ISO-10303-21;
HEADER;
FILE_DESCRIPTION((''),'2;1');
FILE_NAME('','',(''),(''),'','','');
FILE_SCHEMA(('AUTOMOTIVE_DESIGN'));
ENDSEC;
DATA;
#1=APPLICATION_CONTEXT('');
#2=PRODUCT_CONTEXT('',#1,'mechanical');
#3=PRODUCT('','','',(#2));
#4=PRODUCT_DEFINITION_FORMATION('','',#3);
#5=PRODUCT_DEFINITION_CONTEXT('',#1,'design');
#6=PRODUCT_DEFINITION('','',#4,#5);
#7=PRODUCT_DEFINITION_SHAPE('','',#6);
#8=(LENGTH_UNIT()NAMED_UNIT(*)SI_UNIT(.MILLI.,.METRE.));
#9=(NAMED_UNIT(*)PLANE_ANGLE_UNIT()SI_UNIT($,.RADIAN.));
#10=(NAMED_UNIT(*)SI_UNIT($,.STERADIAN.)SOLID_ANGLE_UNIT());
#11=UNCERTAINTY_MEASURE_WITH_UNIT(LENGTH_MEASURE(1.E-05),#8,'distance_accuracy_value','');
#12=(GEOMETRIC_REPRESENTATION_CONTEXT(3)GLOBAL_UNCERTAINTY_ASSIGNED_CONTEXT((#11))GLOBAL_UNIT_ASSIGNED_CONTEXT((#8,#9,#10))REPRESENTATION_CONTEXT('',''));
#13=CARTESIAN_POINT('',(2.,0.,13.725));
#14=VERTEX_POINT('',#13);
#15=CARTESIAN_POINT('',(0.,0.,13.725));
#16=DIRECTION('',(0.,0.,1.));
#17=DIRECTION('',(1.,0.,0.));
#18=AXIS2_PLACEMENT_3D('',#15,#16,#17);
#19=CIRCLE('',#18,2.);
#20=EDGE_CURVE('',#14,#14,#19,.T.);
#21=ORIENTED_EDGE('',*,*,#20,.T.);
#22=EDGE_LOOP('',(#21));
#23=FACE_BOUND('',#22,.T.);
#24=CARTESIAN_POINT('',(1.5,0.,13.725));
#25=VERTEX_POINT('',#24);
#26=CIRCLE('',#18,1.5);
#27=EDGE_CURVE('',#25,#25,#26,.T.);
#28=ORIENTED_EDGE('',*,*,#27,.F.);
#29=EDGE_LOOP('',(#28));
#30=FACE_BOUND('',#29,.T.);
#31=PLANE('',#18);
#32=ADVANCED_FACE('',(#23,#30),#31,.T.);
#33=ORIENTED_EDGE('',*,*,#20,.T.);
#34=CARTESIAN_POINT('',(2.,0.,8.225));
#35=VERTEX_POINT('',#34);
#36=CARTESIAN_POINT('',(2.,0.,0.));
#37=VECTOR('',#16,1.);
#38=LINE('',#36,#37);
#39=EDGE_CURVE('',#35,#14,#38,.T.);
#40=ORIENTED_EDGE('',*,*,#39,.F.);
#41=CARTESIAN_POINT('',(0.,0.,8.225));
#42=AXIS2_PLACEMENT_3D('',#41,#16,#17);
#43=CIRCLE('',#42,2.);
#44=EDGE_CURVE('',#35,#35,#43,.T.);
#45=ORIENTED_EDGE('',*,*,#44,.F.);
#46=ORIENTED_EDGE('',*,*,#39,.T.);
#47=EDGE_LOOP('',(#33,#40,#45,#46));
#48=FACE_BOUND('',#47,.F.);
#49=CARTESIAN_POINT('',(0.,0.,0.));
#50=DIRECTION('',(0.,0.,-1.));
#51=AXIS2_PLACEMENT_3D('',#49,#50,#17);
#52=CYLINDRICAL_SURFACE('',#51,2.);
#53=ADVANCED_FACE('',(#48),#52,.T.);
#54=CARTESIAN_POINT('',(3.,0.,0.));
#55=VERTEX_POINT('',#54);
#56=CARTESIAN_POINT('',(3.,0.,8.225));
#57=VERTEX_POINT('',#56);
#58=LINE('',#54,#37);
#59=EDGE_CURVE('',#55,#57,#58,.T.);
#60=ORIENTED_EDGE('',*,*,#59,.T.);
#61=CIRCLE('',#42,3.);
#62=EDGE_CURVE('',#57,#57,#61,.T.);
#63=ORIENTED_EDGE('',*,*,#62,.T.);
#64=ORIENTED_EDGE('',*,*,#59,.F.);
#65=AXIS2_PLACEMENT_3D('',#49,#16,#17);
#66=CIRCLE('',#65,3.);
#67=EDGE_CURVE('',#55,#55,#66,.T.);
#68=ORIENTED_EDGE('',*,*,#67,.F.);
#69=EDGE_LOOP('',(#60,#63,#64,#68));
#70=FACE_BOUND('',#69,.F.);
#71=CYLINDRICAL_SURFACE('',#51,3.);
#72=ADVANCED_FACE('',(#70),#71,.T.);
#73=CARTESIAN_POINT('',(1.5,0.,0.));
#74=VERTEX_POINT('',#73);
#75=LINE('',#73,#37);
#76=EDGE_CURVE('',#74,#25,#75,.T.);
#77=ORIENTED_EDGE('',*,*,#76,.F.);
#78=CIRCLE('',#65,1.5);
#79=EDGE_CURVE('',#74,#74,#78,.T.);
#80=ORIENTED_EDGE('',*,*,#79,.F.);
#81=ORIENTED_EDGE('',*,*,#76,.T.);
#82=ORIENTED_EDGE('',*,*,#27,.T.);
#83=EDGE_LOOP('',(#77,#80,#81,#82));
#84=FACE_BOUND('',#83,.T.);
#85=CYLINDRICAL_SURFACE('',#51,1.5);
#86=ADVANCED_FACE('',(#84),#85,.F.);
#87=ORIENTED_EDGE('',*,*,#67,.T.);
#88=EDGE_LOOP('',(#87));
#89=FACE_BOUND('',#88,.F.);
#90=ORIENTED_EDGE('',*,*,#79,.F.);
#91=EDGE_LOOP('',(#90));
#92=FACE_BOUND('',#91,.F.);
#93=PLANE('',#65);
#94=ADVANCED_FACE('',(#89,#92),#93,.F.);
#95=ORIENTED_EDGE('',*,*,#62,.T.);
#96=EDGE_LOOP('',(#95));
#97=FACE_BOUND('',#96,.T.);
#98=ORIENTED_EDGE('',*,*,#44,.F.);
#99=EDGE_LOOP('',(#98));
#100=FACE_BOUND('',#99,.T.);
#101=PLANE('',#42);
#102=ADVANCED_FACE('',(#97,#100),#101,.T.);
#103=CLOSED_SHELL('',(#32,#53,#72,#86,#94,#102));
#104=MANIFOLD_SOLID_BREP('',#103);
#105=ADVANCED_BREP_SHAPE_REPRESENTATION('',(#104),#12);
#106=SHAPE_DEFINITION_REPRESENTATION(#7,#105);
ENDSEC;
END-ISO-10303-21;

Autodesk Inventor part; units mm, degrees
ref_plane "YZ Plane" through (0, 0, 0) normal (1, 0, 0) x (0, 1, 0)
ref_plane "XZ Plane" through (0, 0, 0) normal (0, 1, 0) x (-1, 0, 0)
ref_plane "XY Plane" through (0, 0, 0) normal (0, 0, 1) x (1, 0, 0)
sketch "Szkic1" plane through (0, 0, 0) normal (0, 0, 1) x (1, 0, 0)
  circle A0 centre (0, 0) radius 1.5
  circle A1 centre (0, 0) radius 2
  circle A2 centre (0, 0) radius 3
  dimension "d0" = 3
  dimension "d1" = 4
  dimension "d2" = 6
extrude "Wyciągnięcie proste1" add sketch "Szkic1" along normal blind 8.225 contours A2
extrude "Wyciągnięcie proste2" add sketch "Szkic1" along normal blind 13.725 contours A1
properties part number "tulejapodlozysko_2"
